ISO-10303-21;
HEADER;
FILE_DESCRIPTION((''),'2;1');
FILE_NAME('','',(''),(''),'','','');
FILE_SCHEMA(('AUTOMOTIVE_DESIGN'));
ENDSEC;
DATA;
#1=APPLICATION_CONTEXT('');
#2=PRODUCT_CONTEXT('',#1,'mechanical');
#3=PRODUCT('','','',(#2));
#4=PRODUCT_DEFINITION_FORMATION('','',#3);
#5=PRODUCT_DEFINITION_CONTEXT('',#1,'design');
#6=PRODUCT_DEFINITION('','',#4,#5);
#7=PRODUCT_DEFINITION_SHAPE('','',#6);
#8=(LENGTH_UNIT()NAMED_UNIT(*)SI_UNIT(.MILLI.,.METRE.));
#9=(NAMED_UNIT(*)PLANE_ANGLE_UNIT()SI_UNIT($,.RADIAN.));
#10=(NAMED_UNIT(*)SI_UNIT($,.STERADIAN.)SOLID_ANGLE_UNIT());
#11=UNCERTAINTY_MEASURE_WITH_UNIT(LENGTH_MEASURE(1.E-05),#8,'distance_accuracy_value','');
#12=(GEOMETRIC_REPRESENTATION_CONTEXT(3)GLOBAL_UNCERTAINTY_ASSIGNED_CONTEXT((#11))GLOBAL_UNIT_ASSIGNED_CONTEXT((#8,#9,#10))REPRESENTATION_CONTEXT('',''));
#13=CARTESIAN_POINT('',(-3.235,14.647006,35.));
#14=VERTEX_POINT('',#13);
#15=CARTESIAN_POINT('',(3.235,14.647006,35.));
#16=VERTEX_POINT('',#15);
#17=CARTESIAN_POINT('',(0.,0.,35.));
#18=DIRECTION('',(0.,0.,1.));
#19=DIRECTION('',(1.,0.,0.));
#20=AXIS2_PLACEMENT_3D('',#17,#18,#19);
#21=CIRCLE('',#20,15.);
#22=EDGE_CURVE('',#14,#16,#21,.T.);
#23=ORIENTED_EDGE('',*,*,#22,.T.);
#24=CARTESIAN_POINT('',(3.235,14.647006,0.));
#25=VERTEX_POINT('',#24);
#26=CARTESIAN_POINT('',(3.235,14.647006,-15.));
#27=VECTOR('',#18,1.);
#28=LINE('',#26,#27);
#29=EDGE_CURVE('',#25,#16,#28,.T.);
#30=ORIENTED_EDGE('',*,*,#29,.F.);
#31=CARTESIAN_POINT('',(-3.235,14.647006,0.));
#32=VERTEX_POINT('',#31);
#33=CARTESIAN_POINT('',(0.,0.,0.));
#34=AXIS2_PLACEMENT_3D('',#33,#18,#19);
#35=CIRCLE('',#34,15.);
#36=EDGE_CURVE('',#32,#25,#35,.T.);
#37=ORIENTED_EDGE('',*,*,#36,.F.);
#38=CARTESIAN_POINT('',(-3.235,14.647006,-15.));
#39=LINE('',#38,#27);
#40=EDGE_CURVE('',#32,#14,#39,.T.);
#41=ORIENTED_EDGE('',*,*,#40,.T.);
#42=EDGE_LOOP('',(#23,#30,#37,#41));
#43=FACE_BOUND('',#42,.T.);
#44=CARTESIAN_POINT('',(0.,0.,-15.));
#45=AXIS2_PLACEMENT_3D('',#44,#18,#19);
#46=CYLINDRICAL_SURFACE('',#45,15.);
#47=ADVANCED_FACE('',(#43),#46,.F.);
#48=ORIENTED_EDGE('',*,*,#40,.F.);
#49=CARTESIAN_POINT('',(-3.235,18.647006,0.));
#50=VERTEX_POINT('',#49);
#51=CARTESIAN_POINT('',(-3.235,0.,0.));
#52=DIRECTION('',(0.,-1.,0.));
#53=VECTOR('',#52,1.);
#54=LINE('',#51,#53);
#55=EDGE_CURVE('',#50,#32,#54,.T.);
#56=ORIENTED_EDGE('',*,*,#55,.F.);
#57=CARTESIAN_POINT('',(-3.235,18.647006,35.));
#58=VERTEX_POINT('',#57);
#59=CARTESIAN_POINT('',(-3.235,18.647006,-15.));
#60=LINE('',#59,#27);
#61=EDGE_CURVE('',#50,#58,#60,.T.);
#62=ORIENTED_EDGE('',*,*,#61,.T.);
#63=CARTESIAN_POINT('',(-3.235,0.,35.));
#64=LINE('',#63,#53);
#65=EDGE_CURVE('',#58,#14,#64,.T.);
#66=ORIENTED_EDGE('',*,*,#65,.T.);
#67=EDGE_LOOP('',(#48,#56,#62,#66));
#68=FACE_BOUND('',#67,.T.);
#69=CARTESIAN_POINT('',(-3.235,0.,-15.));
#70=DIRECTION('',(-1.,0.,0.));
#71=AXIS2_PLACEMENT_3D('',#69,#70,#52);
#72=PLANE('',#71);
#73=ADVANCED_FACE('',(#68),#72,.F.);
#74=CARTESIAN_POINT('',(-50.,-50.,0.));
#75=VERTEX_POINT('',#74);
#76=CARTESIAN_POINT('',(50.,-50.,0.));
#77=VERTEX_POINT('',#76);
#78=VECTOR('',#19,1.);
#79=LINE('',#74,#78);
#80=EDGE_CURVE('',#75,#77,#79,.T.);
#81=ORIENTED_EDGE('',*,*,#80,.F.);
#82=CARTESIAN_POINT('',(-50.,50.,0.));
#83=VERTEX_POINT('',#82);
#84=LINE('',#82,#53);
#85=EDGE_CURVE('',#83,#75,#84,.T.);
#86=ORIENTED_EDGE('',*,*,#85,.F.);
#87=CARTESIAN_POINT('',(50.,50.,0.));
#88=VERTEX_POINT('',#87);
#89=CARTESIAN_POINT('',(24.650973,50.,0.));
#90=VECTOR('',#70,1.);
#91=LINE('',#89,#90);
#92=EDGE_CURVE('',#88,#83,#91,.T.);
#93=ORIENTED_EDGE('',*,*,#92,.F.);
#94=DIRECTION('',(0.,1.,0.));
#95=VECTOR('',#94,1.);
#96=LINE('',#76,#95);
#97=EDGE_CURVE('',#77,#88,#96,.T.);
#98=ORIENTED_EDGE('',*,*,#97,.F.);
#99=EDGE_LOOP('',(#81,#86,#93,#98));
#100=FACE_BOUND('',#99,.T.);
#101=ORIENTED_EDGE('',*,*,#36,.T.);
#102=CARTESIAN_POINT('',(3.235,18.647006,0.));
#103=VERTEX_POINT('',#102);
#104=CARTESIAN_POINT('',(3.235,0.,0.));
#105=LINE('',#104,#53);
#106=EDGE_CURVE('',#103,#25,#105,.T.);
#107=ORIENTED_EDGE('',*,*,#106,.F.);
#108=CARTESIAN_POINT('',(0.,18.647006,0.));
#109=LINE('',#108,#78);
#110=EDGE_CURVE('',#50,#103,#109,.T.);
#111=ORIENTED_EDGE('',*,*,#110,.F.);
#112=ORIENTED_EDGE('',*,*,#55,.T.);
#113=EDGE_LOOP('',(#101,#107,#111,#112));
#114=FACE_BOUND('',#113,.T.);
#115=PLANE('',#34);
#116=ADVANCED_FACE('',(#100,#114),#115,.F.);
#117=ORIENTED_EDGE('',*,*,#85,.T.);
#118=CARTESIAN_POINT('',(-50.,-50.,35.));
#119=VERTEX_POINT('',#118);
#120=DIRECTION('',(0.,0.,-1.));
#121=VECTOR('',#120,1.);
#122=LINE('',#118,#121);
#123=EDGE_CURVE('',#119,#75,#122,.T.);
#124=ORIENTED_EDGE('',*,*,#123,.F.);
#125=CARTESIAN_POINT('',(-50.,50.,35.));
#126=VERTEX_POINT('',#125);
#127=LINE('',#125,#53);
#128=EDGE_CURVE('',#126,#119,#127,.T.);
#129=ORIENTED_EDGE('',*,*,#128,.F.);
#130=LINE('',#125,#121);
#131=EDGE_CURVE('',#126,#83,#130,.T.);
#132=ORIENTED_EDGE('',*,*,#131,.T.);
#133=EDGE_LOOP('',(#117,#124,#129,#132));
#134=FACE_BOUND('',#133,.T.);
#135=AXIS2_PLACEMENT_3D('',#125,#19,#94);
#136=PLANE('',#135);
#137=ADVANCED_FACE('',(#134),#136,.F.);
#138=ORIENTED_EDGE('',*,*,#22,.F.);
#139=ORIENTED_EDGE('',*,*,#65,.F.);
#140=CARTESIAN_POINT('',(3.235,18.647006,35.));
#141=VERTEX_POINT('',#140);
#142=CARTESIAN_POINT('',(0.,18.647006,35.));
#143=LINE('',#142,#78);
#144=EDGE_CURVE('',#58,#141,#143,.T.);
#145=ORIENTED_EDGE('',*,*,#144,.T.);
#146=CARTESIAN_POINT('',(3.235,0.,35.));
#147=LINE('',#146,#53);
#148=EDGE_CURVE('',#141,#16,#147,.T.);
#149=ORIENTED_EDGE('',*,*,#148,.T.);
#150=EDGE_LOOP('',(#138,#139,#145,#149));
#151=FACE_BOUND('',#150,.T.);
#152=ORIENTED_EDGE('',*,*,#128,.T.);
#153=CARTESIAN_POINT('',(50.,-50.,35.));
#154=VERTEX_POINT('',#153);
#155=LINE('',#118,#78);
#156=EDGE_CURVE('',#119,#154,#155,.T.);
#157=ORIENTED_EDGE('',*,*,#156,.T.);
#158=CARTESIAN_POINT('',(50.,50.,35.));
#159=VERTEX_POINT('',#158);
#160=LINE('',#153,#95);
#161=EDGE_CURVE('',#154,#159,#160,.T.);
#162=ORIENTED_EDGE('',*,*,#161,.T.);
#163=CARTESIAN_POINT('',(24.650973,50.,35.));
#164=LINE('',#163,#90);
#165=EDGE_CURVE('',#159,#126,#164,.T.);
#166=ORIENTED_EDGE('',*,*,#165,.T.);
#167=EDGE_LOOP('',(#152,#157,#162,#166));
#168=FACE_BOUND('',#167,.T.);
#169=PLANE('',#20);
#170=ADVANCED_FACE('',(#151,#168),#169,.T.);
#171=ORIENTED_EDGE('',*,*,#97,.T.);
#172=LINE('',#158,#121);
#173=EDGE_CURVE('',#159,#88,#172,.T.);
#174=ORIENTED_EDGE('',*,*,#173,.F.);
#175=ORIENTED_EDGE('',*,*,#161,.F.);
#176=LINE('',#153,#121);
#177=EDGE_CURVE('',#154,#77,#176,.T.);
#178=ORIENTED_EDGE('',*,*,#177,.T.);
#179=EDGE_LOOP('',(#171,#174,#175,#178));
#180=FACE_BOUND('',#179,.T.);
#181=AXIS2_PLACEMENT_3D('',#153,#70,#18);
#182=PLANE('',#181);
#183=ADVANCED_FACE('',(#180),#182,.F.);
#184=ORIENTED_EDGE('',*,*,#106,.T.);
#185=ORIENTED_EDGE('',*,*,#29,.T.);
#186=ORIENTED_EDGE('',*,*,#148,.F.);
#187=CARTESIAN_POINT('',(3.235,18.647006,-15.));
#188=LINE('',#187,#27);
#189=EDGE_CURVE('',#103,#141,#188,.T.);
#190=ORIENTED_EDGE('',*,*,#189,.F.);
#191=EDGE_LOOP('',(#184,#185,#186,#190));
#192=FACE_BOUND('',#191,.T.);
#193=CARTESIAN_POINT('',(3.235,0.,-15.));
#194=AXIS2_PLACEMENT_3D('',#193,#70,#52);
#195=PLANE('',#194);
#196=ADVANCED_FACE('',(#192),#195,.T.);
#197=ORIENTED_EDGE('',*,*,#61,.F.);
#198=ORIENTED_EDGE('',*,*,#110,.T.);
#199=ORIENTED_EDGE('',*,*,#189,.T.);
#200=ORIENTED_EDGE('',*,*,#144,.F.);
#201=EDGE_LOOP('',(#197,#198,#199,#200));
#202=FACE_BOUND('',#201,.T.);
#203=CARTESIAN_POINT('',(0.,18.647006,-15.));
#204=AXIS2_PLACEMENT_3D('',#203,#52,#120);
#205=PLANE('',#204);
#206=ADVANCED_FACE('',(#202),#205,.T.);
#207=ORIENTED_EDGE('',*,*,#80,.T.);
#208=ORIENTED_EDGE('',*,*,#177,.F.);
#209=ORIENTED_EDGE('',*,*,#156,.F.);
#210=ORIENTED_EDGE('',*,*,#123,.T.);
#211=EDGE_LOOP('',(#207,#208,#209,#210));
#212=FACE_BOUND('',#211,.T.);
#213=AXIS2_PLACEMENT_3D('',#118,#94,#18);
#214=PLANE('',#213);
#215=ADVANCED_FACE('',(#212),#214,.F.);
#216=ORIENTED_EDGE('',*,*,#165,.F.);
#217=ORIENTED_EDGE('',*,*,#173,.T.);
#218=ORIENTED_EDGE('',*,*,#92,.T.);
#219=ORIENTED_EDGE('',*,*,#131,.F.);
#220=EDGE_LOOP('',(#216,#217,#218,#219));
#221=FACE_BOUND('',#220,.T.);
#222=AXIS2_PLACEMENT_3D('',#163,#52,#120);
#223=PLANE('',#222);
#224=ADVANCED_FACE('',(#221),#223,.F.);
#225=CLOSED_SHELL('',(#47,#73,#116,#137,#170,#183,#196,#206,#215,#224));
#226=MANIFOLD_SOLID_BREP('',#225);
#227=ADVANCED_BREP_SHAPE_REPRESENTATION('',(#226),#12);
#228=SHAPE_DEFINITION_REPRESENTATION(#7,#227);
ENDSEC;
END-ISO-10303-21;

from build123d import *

# Parameters (mm, degrees)
BOSS_EXTRUDE1_DEPTH = 35
SKETCH2_R           = 15
CUT_EXTRUDE1_DEPTH  = 50


with BuildPart() as part:
    # Sketch1 → Boss-Extrude1 (new body)
    with BuildSketch(Plane.XY):
        Polygon((24.650973025, 50), (50, 50), (50, -50), (-50, -50), (-50, 50), align=None)
    extrude(amount=BOSS_EXTRUDE1_DEPTH)

    # Sketch2 → Cut-Extrude1 (cut)
    with BuildSketch(Plane.XY.offset(35)):
        Circle(SKETCH2_R)
        with BuildLine():
            Line((3.235, 18.647005667), (-3.235, 18.647005667))
            Line((-3.235, 18.647005667), (-3.235, 14.647005667))
            ThreePointArc((-3.235, 14.647005667), (0, 15), (3.235, 14.647005667))
            Line((3.235, 14.647005667), (3.235, 18.647005667))
        make_face()
    extrude(amount=-CUT_EXTRUDE1_DEPTH, mode=Mode.SUBTRACT)


solid = part.part
